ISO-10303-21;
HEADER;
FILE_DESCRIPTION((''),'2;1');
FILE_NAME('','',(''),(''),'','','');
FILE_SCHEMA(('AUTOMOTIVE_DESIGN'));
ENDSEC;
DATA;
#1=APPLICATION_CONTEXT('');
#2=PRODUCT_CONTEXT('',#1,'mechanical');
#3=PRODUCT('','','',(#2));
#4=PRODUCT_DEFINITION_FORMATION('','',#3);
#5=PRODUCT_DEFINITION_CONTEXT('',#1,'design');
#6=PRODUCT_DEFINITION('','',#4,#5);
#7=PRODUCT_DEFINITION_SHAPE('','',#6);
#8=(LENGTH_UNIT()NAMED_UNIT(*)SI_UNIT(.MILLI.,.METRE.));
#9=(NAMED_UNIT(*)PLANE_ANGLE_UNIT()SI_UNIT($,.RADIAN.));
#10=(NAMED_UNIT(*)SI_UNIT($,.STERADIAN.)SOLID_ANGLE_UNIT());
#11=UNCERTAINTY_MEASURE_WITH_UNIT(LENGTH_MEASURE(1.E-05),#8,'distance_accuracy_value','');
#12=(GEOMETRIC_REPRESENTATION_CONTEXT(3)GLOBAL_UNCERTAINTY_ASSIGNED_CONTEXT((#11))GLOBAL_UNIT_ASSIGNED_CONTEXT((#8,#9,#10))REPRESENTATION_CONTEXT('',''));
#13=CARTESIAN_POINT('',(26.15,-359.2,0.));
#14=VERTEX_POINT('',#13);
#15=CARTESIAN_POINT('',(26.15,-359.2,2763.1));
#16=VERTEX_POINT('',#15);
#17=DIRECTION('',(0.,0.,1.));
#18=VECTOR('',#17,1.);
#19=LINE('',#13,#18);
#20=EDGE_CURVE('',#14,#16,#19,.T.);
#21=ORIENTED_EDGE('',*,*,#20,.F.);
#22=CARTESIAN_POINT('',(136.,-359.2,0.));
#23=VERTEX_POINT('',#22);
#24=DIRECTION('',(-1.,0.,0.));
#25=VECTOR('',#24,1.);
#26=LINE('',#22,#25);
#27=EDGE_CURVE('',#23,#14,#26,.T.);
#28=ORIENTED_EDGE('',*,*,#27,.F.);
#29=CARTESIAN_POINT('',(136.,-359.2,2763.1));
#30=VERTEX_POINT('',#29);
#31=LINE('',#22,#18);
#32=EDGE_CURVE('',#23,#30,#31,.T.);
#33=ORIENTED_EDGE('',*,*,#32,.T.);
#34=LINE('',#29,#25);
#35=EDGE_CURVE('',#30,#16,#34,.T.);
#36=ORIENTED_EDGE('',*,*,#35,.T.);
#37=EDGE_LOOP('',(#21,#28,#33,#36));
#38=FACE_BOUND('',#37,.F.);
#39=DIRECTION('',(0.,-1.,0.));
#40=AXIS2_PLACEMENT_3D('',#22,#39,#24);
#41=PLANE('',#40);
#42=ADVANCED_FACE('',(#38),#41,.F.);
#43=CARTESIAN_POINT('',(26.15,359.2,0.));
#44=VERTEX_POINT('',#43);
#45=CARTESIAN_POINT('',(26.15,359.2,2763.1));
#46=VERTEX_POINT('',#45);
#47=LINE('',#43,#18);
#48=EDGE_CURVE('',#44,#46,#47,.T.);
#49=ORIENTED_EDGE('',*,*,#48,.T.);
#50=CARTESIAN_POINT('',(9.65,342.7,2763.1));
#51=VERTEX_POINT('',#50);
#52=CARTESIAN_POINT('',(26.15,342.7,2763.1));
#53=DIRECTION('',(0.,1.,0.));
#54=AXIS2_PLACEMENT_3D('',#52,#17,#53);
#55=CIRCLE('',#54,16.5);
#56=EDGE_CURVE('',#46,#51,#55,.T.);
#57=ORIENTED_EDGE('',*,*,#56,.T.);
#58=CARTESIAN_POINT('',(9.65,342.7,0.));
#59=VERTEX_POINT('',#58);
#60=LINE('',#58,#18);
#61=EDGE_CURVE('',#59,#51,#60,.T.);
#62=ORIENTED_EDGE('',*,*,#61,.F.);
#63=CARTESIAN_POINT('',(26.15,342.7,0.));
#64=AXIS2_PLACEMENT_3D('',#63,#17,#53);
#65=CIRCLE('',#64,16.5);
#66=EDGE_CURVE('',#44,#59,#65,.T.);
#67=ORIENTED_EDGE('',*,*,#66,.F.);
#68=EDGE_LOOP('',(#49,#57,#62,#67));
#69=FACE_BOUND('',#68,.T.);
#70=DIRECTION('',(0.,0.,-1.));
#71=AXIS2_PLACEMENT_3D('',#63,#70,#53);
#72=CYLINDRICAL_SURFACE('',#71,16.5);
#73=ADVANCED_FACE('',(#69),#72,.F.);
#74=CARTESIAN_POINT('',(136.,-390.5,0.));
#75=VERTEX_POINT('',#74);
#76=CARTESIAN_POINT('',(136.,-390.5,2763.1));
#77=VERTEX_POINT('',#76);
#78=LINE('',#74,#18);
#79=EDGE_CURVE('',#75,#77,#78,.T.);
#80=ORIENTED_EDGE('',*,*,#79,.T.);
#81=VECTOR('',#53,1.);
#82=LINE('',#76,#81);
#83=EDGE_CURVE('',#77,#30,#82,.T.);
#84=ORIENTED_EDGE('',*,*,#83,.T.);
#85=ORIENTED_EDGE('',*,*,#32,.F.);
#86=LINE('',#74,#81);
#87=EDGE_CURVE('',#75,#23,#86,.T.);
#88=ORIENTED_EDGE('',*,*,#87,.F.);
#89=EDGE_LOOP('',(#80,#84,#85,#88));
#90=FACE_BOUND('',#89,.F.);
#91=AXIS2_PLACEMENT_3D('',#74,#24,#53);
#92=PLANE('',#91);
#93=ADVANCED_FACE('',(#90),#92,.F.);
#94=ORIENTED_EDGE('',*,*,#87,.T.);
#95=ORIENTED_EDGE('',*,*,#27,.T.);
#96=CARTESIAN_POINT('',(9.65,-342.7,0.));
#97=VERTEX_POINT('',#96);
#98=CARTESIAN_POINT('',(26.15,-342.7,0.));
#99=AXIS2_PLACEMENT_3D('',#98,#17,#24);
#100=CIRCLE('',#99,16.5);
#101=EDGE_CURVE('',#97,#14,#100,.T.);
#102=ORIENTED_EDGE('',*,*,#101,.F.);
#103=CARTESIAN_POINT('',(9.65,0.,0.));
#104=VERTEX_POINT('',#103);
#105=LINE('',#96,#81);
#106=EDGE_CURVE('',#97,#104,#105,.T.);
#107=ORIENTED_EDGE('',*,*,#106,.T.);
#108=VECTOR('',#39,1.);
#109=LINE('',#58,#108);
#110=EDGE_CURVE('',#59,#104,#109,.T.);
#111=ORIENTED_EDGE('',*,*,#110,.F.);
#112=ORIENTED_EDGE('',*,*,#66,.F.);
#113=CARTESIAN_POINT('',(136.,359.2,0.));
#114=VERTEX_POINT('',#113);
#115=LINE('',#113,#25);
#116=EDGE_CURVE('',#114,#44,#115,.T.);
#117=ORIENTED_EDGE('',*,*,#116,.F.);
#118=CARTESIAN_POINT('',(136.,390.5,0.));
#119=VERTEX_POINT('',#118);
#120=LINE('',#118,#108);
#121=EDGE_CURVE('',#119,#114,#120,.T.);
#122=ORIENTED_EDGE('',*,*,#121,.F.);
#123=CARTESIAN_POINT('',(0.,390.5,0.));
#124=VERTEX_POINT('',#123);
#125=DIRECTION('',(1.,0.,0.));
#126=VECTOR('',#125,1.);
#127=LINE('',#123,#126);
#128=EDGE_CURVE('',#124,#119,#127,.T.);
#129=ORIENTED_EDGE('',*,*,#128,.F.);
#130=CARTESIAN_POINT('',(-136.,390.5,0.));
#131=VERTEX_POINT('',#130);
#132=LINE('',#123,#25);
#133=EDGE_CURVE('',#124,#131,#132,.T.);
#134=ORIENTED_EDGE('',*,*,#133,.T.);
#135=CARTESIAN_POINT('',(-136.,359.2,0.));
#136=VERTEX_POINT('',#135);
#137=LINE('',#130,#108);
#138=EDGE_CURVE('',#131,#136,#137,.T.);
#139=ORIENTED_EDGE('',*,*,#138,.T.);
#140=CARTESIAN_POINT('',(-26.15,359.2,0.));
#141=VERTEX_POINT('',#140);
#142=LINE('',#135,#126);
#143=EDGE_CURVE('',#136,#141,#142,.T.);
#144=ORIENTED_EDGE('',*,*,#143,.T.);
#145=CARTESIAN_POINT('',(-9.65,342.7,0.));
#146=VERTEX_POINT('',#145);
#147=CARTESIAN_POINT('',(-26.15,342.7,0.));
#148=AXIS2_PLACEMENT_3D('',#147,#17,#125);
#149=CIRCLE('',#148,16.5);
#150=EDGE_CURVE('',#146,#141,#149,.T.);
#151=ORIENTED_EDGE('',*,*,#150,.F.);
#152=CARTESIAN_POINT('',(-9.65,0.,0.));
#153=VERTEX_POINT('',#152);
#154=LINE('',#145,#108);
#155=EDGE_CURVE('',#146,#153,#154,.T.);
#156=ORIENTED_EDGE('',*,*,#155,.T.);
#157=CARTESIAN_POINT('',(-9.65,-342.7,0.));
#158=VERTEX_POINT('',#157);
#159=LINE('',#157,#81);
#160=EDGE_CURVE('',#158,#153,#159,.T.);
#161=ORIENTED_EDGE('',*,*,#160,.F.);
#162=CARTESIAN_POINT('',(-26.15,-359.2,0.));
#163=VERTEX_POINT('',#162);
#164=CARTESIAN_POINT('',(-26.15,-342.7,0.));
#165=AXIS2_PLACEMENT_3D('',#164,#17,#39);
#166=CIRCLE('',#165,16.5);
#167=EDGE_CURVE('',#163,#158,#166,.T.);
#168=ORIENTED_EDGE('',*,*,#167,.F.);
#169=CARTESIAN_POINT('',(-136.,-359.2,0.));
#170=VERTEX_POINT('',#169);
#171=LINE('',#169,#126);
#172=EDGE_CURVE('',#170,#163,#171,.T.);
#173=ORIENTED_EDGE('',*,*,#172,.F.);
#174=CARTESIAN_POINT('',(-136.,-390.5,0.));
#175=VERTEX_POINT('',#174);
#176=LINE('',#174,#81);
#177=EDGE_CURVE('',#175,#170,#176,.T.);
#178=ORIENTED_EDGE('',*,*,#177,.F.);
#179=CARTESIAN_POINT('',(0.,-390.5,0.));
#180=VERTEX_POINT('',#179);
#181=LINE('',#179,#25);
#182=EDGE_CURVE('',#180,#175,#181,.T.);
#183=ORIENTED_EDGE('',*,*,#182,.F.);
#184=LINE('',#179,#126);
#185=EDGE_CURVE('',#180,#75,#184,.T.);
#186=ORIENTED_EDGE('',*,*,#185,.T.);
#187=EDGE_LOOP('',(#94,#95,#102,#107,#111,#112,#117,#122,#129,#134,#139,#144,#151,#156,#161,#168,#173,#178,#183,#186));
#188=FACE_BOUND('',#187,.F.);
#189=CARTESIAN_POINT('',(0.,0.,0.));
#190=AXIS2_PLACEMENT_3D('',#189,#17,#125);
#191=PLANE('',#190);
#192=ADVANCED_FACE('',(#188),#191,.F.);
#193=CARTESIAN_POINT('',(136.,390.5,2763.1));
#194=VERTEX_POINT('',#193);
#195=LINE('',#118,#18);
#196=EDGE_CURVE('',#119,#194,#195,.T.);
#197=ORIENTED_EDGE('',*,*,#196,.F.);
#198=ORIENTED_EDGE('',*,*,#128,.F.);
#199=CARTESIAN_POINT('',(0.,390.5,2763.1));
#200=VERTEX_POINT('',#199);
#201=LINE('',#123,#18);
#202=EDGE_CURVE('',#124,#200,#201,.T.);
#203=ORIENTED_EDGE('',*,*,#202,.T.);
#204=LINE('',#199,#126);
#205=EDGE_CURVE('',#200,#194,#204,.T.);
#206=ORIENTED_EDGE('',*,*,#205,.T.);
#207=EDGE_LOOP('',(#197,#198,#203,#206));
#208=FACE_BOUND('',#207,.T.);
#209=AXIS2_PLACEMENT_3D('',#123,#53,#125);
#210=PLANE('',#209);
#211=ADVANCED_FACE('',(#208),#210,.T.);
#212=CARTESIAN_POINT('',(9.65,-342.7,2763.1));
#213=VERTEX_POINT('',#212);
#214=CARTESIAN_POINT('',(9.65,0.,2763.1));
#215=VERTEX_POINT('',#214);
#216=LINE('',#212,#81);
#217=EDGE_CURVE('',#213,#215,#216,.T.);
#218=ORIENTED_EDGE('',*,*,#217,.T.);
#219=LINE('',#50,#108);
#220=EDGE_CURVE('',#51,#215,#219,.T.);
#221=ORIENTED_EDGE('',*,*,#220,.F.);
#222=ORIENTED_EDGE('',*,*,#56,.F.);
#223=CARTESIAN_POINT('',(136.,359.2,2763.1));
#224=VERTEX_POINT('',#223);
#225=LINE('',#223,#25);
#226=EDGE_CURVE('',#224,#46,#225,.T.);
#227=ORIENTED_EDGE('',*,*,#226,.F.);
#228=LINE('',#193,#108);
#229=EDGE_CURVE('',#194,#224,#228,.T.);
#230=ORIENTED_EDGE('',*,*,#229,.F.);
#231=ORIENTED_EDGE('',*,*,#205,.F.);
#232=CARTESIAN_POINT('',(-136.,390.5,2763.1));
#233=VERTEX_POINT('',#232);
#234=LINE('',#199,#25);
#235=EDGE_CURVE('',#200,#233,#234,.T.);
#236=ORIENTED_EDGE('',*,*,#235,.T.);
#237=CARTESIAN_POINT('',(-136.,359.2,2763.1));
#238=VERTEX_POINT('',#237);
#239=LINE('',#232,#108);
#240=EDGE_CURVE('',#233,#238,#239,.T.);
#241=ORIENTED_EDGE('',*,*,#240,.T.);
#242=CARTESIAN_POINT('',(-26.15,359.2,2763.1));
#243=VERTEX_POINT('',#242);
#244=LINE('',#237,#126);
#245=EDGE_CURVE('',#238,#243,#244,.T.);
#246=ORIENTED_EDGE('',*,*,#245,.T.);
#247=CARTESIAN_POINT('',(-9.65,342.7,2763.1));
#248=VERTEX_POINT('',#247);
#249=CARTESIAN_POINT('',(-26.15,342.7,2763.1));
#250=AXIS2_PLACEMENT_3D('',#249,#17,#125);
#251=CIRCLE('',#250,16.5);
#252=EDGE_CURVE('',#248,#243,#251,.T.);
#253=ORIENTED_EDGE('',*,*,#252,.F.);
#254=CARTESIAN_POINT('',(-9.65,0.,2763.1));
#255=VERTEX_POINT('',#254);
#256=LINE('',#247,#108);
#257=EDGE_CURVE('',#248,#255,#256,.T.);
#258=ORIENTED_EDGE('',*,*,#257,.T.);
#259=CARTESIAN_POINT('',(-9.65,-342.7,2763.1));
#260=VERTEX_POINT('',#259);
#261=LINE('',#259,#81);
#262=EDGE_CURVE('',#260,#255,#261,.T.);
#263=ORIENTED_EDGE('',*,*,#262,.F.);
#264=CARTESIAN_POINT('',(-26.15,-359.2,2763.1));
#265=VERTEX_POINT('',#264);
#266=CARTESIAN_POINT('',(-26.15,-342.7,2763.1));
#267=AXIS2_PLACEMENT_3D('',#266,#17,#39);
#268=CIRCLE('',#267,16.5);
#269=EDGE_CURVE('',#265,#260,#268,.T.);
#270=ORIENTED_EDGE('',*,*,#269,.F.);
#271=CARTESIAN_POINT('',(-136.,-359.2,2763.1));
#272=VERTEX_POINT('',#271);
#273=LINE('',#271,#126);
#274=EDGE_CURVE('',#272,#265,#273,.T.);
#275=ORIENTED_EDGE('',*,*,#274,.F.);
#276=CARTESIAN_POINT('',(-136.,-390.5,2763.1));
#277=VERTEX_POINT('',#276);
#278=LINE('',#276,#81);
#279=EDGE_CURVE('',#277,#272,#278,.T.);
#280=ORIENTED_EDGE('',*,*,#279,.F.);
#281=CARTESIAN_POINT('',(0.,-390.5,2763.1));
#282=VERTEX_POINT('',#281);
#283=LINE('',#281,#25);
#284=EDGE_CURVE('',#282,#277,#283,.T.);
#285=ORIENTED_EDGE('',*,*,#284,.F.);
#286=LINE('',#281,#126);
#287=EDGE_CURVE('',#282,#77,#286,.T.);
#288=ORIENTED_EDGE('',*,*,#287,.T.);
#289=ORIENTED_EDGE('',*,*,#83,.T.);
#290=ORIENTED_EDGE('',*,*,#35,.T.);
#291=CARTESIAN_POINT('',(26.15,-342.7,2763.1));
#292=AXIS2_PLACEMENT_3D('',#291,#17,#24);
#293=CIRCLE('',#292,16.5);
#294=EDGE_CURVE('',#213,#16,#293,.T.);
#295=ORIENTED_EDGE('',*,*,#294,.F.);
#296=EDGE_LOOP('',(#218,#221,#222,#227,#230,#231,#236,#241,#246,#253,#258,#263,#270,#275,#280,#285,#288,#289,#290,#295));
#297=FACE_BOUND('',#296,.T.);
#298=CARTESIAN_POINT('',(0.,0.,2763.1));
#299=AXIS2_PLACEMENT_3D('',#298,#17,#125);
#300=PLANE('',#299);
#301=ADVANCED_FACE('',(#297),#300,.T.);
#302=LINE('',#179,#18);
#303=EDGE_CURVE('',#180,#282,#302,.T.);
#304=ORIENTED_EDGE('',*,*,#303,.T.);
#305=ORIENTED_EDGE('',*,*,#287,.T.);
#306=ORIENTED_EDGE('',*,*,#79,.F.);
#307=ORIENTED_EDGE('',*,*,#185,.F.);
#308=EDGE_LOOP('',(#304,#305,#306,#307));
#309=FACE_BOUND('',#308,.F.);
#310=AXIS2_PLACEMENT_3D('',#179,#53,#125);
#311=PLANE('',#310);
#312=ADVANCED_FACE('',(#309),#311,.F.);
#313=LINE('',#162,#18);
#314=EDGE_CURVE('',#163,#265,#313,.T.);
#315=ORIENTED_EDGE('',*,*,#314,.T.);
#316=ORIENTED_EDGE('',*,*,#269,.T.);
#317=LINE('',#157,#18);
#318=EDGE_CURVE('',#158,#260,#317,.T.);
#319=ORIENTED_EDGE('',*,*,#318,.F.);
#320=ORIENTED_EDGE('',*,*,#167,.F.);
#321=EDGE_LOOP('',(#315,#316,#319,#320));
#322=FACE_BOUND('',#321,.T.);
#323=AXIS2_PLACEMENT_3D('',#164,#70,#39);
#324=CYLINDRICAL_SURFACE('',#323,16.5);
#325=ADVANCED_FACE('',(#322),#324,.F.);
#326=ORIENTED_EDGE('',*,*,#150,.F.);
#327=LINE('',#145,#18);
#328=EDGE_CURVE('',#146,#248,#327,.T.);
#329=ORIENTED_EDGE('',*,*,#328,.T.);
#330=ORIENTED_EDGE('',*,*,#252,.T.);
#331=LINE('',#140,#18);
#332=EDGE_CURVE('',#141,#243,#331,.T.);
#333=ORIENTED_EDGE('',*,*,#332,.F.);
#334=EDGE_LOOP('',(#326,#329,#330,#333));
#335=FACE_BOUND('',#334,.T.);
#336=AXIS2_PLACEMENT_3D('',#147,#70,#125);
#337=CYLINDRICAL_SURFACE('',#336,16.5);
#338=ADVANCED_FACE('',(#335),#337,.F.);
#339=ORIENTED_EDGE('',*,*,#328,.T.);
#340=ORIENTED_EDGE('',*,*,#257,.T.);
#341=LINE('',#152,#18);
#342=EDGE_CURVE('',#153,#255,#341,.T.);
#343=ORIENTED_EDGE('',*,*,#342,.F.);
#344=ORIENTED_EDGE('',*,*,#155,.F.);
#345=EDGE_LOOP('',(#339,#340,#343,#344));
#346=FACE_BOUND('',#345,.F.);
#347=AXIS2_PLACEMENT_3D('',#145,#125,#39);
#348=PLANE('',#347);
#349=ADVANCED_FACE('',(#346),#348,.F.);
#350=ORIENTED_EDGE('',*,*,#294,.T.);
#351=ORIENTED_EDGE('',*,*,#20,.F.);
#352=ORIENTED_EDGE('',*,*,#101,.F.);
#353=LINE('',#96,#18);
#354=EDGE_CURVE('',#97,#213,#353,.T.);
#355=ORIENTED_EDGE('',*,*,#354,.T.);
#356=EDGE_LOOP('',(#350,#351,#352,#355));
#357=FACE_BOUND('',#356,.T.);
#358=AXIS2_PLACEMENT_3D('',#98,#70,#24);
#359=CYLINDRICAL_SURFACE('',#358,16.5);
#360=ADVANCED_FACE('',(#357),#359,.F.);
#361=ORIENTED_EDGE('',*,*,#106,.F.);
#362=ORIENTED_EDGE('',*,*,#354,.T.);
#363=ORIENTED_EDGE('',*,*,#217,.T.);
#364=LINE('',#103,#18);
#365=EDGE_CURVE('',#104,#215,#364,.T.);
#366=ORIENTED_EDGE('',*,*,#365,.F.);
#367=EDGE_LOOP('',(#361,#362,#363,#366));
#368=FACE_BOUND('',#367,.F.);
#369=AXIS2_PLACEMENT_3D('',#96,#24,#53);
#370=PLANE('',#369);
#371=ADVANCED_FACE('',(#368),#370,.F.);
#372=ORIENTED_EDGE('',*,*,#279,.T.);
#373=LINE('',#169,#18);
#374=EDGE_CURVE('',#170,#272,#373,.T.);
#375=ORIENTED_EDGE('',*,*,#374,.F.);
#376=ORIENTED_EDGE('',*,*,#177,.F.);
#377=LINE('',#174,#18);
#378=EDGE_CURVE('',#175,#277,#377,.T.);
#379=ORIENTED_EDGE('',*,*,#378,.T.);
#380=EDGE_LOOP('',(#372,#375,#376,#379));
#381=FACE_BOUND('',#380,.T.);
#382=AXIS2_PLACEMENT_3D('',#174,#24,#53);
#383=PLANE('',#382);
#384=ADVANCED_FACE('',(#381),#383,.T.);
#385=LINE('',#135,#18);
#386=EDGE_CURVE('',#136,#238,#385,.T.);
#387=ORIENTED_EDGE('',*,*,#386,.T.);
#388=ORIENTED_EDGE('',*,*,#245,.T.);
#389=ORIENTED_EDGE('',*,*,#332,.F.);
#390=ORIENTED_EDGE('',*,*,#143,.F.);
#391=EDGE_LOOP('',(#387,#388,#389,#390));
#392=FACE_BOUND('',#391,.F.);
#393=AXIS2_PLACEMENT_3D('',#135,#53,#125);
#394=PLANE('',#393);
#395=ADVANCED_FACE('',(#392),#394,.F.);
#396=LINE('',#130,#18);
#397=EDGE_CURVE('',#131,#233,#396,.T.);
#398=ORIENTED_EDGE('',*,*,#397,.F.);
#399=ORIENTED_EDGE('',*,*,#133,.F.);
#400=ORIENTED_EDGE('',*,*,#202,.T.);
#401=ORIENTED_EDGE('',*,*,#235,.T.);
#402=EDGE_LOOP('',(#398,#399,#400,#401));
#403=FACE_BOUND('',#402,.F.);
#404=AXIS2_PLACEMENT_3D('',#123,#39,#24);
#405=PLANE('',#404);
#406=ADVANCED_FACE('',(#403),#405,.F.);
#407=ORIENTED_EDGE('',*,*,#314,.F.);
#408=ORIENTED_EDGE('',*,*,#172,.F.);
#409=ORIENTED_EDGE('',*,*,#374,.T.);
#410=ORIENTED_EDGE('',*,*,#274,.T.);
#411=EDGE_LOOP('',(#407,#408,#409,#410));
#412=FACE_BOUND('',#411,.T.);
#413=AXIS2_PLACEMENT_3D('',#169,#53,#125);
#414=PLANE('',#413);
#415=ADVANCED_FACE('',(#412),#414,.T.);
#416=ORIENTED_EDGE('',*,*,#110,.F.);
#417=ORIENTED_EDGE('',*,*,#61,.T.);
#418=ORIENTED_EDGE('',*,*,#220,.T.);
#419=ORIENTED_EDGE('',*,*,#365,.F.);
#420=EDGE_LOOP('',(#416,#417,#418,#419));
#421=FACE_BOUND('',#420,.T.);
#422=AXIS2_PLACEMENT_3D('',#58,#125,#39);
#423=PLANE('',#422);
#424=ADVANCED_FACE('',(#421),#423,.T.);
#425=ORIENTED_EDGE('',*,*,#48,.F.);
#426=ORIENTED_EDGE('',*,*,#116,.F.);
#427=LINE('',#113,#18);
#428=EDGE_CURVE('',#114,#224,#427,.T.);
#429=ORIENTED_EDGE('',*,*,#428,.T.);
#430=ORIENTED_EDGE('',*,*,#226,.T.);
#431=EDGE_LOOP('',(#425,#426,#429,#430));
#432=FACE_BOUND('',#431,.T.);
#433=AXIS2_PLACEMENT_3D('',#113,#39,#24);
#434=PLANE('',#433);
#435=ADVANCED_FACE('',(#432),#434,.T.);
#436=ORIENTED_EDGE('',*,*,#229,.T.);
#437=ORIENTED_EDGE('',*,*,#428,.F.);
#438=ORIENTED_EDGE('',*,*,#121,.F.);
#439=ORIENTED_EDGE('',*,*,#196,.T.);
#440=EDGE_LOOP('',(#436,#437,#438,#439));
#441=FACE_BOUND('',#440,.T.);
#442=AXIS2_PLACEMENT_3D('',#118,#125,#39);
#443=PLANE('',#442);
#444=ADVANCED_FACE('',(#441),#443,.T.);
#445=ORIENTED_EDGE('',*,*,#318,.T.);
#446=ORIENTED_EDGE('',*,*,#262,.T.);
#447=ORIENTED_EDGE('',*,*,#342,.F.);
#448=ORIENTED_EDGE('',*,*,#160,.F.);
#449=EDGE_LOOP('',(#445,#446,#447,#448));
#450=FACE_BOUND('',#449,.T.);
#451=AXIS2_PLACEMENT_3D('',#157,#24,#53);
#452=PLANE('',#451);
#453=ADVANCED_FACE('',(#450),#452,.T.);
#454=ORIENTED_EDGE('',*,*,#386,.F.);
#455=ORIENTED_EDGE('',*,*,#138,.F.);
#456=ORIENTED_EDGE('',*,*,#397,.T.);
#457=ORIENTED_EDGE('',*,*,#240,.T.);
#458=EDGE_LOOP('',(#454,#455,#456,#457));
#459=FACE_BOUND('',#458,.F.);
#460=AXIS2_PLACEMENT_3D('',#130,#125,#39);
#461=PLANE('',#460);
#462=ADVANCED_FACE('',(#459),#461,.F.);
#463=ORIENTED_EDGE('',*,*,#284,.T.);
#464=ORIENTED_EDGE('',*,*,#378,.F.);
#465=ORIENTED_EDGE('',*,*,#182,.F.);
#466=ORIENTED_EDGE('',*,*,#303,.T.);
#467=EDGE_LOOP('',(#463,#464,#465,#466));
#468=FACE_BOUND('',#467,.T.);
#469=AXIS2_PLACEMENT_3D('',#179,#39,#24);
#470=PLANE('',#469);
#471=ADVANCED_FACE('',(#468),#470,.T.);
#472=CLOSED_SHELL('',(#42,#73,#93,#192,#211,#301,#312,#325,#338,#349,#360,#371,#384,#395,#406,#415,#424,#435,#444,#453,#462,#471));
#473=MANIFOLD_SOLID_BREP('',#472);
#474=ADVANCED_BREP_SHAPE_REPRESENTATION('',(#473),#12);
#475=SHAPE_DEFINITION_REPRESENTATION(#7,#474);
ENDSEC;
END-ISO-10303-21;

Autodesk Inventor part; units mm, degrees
ref_plane "YZ Plane" through (0, 0, 0) normal (1, 0, 0) x (0, 1, 0)
ref_plane "Start plane" through (0, 0, 0) normal (0, 0, 1) x (1, 0, 0)
ref_plane "End plane" through (0, 0, 2763.1) normal (0, 0, 1) x (1, 0, 0)
sketch "Sketch" plane through (0, 0, 0) normal (0, 0, 1) x (1, 0, 0)
  line L0 (-136, -390.5) -> (-136, -359.2)
  line L1 (-136, -359.2) -> (-26.15, -359.2)
  line L2 (-9.65, -342.7) -> (-9.65, 0)
  line L3 (-9.65, 0) -> (0, 0) construction
  line L4 (0, 0) -> (0, -390.5) construction
  line L5 (0, -390.5) -> (-136, -390.5)
  line L6 (-60, 0) -> (80, 0) construction
  line L7 (0, -60) -> (0, 80) construction
  line L8 (136, -390.5) -> (136, -359.2)
  line L9 (136, -359.2) -> (26.15, -359.2)
  line L10 (9.65, -342.7) -> (9.65, 0)
  line L11 (9.65, 0) -> (0, 0) construction
  line L12 (0, -390.5) -> (136, -390.5)
  line L13 (-136, 390.5) -> (-136, 359.2)
  line L14 (-136, 359.2) -> (-26.15, 359.2)
  line L15 (-9.65, 342.7) -> (-9.65, 0)
  line L16 (0, 390.5) -> (-136, 390.5)
  line L17 (136, 390.5) -> (136, 359.2)
  line L18 (136, 359.2) -> (26.15, 359.2)
  line L19 (0, 390.5) -> (136, 390.5)
  line L20 (9.65, 342.7) -> (9.65, 0)
  arc A0 (-9.65, 342.7) -> (-26.15, 359.2) centre (-26.15, 342.7) ccw
  arc A1 (26.15, 359.2) -> (9.65, 342.7) centre (26.15, 342.7) ccw
  arc A2 (9.65, -342.7) -> (26.15, -359.2) centre (26.15, -342.7) ccw
  arc A3 (-26.15, -359.2) -> (-9.65, -342.7) centre (-26.15, -342.7) ccw
  line L21 (0, 108) -> (0, -88) construction
  line L22 (-88, 0) -> (108, 0) construction
  point P0 (-9.65, -359.2)
  point P1 (9.65, -359.2)
  point P2 (-9.65, 359.2)
  point P3 (9.65, 359.2)
  dimension "d1" = 390.5
  dimension "d2" = 31.3
  dimension "d3" = 136
  dimension "d4" = 9.65
  dimension "d10" = 16.5
extrude "Body" add sketch "Sketch" along normal up to surface (2763.1 mm away) from surface at 0
sketch "Sketch4" plane through (0, 0, 0) normal (0, 0, 1) x (1, 0, 0)
  line L0 (0, 0) -> (10, 0)
ref_plane "Work Plane3" through (0, 0, 0) normal (0, -1, 0) x (1, 0, 0)
sketch "Sketch5" plane through (0, 0, 0) normal (0, -1, 0) x (1, 0, 0)
  line L0 (-2, 0) -> (12, 0) projected
  line L1 (-2, 2763.1) -> (12, 2763.1) projected
  dimension "d14" = 2763.1
equation "\"d1\" = 0.5 * G_H"
equation "\"d2\" = G_T1"
equation "\"d3\" = 0.5 * G_W"
equation "\"d4\" = 0.5 * G_T"
equation "\"d10\" = G_IR"
equation "\"d5\" = G_L"
equation "\"G_W\" = 272"
equation "\"G_H\" = 781"
equation "\"G_T\" = 19.3"
equation "\"G_T1\" = 31.3"
equation "\"G_IR\" = 16.5"
equation "\"G_L\" = d14"
equation "\"G_OFFSET_START\" = 0"
equation "\"G_OFFSET_END\" = 0"
equation "\"d12\" = G_OFFSET_END + B_L"
equation "\"B_L\" = 2763.1"
properties part number "AS 3679-1990 - 760 UB - 244 - 2763.1" material "Steel, Mild"
